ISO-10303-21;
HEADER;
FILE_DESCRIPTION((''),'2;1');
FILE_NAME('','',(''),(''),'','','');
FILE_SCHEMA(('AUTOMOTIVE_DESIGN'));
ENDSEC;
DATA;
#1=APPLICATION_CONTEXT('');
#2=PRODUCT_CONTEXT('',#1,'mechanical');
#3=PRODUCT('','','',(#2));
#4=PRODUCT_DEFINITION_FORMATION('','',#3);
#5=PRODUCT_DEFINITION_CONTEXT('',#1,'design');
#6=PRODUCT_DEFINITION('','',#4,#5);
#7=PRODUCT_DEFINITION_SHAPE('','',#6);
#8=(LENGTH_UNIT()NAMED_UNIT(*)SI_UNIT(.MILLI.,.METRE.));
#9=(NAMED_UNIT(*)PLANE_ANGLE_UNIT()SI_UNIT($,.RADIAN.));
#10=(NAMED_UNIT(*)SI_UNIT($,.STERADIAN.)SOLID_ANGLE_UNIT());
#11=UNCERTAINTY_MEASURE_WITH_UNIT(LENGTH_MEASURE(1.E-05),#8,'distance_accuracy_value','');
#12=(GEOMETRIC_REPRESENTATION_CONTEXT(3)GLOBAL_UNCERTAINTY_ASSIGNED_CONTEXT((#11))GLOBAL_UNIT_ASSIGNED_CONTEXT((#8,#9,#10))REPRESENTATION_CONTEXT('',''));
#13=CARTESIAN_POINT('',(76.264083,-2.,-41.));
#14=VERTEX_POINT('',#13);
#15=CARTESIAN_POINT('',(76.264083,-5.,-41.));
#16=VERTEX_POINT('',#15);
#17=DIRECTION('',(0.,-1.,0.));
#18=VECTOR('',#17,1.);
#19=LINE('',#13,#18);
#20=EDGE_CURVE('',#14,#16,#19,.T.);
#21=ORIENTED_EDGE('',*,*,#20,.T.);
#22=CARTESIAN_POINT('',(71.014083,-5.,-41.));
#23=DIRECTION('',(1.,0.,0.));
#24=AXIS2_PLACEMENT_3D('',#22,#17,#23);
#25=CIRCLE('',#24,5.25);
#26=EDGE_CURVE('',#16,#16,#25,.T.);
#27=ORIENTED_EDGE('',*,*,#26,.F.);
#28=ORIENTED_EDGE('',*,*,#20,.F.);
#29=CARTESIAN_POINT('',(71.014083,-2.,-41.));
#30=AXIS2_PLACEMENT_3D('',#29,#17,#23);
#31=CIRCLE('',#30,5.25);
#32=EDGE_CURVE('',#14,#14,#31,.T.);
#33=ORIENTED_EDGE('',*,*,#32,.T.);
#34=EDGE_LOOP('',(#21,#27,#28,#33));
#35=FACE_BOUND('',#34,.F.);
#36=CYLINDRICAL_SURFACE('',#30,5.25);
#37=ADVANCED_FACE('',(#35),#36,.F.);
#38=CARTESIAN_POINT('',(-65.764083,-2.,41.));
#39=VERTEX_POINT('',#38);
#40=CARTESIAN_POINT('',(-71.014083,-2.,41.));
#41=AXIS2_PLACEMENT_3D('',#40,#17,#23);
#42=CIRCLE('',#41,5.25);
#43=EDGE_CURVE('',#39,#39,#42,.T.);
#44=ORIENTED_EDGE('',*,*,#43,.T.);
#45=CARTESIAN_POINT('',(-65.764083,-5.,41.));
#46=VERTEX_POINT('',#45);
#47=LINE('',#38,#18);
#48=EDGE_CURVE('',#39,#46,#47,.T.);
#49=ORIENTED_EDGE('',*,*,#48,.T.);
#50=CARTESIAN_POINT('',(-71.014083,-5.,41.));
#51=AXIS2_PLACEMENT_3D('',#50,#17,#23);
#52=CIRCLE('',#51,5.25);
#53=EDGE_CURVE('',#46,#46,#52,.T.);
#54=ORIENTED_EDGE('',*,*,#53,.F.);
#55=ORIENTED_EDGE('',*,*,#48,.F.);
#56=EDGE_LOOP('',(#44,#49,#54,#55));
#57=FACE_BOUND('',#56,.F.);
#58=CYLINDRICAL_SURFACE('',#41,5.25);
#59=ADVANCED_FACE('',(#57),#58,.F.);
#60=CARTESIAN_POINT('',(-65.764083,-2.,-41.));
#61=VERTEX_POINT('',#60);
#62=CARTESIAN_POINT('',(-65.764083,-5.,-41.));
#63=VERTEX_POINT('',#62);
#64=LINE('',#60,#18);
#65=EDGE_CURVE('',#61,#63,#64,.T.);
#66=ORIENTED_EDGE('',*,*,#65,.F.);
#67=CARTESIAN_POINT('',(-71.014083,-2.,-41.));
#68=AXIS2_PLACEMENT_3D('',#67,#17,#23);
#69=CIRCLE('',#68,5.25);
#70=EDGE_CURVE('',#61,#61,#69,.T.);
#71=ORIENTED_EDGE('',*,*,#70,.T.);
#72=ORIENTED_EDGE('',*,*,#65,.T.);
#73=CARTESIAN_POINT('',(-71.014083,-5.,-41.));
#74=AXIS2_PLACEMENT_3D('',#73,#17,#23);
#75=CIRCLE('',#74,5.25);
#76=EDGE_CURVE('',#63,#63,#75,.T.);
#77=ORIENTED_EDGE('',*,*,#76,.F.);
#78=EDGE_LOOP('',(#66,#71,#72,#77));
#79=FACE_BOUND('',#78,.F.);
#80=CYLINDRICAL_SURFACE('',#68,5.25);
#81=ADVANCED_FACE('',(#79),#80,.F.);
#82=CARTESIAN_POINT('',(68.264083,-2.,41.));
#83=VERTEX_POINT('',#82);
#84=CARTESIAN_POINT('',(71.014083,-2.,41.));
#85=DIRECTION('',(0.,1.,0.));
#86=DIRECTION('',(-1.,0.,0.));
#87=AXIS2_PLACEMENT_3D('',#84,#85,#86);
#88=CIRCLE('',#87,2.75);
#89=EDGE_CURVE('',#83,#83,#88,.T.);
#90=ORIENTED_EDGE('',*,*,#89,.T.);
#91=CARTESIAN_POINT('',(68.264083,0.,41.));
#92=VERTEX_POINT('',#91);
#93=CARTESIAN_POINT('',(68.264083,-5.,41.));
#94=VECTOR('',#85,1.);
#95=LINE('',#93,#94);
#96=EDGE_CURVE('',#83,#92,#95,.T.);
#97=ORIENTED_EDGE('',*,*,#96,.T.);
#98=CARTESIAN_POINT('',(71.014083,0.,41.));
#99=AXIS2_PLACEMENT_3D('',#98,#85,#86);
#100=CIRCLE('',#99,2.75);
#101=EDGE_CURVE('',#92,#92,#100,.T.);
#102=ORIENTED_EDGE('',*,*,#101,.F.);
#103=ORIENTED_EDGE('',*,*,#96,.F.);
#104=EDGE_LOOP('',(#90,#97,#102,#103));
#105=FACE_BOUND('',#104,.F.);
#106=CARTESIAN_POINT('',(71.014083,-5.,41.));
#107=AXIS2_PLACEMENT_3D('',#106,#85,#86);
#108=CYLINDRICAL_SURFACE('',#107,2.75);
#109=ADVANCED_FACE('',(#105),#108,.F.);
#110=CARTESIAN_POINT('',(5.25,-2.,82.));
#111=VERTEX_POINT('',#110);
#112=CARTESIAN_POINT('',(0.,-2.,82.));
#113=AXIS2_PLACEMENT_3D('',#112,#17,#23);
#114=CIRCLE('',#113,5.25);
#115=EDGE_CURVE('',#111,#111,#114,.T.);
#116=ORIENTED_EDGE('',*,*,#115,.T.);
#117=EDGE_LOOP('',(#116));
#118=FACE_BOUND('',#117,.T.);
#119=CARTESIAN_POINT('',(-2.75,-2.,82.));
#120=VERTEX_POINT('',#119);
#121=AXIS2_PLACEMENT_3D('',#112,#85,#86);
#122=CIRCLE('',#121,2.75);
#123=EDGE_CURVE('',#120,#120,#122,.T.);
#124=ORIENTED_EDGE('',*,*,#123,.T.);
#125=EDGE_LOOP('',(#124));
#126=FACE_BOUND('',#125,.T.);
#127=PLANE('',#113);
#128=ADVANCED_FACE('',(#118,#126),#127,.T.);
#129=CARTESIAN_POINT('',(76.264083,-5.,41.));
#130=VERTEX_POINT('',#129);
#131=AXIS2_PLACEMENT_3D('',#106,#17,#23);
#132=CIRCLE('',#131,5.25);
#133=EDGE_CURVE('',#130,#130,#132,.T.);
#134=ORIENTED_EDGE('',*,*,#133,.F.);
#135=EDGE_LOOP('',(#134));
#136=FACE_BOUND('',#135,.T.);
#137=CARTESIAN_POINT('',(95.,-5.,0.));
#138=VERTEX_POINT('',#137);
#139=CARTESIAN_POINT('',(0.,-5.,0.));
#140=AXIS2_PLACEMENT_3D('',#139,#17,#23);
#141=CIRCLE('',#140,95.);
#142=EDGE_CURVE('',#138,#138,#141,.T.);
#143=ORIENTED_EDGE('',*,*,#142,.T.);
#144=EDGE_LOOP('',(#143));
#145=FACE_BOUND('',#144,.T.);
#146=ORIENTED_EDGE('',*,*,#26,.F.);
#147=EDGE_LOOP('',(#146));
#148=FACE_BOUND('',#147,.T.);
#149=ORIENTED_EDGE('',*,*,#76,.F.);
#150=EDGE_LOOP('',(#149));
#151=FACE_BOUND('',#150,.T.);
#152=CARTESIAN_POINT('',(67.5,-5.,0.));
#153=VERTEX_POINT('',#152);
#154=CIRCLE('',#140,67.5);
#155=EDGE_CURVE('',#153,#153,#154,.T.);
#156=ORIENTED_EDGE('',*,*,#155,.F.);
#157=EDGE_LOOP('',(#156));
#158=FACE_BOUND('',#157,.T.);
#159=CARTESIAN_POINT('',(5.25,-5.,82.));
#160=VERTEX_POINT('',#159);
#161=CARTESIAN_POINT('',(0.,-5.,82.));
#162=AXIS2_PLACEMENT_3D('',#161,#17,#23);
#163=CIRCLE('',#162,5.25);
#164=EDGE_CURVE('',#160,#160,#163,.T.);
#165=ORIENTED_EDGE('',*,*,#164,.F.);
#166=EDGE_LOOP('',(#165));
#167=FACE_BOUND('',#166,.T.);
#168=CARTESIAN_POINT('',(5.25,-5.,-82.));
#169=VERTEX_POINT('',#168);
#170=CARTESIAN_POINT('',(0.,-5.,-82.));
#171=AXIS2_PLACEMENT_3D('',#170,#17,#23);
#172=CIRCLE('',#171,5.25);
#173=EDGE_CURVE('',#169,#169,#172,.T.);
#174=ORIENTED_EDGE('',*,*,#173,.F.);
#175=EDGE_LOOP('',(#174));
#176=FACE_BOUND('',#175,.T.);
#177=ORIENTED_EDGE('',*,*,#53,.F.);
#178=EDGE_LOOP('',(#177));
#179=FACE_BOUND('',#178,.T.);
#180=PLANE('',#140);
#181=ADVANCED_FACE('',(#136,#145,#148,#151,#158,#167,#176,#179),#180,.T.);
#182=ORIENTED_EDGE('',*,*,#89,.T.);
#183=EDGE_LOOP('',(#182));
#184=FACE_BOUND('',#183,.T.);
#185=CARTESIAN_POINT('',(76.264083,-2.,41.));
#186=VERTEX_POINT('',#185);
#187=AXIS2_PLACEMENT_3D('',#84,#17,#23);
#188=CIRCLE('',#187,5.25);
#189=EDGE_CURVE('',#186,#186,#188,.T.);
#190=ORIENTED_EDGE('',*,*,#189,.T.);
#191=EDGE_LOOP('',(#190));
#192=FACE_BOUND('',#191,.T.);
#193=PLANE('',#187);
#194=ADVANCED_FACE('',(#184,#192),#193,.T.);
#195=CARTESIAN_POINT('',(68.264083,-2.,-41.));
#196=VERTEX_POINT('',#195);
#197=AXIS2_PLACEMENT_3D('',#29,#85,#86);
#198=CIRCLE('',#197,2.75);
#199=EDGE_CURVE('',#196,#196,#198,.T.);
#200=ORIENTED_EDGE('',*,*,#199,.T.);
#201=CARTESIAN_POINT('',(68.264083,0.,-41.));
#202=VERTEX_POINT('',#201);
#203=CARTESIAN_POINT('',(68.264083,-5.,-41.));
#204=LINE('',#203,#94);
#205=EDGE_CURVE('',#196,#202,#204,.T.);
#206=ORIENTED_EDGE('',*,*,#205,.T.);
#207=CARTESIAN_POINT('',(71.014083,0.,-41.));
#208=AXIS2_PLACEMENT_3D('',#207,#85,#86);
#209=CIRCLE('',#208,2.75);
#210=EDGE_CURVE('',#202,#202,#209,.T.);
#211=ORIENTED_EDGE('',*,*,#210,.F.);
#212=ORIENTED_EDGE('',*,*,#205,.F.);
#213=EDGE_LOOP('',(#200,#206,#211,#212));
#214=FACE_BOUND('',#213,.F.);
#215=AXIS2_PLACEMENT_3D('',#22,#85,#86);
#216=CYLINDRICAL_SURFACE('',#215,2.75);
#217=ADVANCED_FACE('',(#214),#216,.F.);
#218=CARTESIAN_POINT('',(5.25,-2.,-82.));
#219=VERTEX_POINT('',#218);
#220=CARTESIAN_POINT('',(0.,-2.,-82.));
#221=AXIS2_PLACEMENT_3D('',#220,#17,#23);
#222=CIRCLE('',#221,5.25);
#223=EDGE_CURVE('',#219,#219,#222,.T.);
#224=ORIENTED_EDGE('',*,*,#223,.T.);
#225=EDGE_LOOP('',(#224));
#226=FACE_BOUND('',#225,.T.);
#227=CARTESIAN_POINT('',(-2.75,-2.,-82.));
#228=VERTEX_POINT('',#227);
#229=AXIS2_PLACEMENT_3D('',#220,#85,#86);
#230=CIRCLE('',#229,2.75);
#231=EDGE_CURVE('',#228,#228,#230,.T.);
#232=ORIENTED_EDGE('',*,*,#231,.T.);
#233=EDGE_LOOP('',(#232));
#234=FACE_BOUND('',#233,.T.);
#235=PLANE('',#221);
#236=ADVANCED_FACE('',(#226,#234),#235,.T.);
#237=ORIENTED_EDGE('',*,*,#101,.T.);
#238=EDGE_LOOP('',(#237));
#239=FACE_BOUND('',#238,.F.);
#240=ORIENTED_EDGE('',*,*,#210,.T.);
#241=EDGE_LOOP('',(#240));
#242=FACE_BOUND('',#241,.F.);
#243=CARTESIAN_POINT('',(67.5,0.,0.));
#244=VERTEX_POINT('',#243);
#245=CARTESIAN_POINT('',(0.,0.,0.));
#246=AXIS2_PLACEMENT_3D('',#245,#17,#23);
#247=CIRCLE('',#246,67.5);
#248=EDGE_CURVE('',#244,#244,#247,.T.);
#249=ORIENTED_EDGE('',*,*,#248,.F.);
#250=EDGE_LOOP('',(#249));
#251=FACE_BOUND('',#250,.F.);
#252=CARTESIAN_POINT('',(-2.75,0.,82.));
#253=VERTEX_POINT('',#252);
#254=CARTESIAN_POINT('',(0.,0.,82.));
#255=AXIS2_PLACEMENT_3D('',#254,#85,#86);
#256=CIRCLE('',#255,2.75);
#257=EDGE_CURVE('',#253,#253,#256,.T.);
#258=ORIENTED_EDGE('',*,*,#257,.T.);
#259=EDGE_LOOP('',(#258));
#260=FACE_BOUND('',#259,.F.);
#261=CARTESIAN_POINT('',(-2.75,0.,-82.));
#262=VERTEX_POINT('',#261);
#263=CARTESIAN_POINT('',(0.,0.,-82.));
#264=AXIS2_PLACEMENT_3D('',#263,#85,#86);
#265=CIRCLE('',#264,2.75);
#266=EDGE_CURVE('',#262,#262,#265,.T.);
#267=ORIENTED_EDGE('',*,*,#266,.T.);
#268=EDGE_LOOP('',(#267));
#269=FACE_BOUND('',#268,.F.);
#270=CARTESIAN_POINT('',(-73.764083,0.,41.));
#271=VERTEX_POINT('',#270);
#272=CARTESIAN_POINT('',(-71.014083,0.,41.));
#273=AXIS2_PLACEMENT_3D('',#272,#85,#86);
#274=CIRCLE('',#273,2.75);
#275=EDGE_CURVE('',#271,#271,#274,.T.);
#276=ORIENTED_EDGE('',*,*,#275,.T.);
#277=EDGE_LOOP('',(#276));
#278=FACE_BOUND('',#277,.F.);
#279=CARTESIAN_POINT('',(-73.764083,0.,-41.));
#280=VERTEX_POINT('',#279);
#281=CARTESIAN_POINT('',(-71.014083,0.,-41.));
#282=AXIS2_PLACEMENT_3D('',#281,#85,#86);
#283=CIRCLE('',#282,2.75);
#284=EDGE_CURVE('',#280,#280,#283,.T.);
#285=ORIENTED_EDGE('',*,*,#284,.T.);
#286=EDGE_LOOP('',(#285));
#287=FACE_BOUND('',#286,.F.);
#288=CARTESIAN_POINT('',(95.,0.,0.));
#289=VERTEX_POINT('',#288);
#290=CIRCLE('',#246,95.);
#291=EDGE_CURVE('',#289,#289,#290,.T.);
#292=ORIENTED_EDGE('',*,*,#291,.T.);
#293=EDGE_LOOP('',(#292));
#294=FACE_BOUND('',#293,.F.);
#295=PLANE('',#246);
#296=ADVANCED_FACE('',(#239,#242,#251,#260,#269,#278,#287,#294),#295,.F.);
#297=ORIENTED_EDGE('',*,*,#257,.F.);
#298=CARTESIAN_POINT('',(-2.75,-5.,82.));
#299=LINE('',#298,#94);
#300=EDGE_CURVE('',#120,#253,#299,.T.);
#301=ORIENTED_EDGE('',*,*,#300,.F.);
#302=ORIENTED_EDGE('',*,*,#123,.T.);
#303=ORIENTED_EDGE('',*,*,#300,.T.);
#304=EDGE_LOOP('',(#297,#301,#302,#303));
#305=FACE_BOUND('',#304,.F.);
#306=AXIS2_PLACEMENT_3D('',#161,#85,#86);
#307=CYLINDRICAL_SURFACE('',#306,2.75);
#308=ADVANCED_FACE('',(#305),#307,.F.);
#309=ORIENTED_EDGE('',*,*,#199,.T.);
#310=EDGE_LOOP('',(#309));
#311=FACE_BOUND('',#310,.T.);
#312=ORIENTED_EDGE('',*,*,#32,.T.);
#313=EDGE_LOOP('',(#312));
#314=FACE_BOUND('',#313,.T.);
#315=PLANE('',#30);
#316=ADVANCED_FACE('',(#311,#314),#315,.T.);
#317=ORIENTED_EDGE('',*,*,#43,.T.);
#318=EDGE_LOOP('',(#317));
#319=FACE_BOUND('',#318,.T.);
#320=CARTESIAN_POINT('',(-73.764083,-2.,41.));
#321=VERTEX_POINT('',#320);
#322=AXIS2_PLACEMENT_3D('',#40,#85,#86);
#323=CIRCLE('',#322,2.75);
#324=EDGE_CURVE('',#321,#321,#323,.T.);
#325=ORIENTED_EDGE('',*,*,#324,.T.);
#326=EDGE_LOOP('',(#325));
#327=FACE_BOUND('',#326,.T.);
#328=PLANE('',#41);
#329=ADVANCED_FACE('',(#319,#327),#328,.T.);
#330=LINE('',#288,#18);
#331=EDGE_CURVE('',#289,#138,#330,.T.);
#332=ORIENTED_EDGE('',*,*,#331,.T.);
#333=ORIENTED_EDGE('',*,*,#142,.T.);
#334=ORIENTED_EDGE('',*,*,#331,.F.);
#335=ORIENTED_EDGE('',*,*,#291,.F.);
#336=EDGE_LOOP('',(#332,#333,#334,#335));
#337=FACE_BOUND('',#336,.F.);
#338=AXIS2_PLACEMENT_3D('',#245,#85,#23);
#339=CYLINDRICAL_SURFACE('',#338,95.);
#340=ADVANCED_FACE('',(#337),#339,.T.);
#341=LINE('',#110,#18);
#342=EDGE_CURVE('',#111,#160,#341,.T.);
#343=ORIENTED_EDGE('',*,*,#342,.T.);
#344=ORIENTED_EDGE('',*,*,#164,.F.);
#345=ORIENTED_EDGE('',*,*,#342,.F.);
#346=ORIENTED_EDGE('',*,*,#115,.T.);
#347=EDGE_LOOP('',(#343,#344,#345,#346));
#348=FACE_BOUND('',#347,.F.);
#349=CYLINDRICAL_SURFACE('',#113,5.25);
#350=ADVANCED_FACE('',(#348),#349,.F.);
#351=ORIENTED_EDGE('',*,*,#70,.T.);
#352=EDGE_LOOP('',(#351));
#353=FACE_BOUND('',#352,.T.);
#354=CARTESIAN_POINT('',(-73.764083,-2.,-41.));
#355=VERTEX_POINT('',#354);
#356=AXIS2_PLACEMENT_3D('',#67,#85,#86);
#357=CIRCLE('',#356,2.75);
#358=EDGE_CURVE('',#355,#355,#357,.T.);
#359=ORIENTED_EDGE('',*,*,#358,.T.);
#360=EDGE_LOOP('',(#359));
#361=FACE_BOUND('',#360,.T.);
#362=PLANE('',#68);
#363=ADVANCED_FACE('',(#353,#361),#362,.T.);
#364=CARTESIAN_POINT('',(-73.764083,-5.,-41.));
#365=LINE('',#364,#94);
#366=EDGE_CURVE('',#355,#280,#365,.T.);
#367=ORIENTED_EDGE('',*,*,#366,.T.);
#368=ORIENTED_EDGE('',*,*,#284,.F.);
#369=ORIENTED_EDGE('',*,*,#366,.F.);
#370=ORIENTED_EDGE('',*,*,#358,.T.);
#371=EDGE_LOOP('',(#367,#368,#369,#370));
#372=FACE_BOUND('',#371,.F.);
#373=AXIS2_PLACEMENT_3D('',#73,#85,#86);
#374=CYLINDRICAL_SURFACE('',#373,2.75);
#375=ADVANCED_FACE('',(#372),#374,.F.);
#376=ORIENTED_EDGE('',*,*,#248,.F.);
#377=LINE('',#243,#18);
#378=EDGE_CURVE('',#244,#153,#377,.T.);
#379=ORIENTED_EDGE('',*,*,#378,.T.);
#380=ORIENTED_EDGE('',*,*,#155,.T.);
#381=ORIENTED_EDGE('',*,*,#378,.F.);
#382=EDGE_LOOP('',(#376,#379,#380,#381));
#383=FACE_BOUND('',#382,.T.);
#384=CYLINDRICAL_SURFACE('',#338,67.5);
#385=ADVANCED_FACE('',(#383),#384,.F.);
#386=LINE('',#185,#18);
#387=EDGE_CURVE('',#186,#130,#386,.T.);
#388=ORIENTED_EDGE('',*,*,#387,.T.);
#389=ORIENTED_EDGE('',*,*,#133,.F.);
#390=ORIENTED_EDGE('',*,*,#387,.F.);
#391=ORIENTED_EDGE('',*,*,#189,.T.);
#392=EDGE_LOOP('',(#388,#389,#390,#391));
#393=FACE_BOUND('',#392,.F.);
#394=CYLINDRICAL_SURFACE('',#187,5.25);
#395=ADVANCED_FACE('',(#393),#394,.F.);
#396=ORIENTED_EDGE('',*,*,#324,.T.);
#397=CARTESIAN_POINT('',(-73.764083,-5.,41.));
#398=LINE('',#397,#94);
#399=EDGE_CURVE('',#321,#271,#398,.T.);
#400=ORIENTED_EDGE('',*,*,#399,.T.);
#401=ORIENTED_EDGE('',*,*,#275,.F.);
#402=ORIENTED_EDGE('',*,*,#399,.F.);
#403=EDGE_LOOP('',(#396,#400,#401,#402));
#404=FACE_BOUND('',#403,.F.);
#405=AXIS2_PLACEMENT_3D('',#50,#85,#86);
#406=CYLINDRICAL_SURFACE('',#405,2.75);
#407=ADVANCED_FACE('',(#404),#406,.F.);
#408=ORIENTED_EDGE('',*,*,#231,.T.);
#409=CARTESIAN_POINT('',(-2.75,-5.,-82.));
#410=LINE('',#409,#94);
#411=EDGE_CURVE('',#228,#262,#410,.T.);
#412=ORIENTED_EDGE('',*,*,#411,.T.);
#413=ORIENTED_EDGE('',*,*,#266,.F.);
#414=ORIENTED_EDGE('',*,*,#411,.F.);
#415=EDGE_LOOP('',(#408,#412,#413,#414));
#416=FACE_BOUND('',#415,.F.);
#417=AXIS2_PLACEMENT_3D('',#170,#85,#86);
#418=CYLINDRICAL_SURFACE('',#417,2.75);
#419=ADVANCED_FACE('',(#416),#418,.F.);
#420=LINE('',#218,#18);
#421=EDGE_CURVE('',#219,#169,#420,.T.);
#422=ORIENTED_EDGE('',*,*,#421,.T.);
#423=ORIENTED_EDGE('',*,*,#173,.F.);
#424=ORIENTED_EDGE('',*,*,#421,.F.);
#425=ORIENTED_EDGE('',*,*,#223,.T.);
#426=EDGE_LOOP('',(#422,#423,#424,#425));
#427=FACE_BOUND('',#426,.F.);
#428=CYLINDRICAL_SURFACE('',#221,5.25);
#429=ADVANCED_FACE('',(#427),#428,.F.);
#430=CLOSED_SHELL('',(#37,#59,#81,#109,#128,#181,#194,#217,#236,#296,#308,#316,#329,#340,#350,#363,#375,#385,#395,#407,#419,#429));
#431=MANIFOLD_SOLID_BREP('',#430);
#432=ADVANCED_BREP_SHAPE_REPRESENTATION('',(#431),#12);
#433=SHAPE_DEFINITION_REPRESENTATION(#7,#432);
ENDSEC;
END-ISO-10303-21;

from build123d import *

# Parameters (mm, degrees)
F0_R           = 95
F0_R_2         = 67.5
F1_DEPTH       = 5
F3_D           = 5.5
F3_CBORE_D     = 10.5
F3_CBORE_DEPTH = 3


with BuildPart() as f1:
    # F0 (on Front) → F1 (new body)
    with BuildSketch(Plane.XZ):
        Circle(F0_R)
        Circle(F0_R_2, mode=Mode.SUBTRACT)
    extrude(amount=F1_DEPTH)

    # F3 (through all)
    with Locations(Plane.XZ.offset(5)):
        with Locations((0, 82), (-71.014083, 41), (-71.014083, -41), (71.014083, -41), (71.014083, 41), (0, -82)):
            CounterBoreHole(F3_D / 2, F3_CBORE_D / 2, F3_CBORE_DEPTH)


solid = f1.part
